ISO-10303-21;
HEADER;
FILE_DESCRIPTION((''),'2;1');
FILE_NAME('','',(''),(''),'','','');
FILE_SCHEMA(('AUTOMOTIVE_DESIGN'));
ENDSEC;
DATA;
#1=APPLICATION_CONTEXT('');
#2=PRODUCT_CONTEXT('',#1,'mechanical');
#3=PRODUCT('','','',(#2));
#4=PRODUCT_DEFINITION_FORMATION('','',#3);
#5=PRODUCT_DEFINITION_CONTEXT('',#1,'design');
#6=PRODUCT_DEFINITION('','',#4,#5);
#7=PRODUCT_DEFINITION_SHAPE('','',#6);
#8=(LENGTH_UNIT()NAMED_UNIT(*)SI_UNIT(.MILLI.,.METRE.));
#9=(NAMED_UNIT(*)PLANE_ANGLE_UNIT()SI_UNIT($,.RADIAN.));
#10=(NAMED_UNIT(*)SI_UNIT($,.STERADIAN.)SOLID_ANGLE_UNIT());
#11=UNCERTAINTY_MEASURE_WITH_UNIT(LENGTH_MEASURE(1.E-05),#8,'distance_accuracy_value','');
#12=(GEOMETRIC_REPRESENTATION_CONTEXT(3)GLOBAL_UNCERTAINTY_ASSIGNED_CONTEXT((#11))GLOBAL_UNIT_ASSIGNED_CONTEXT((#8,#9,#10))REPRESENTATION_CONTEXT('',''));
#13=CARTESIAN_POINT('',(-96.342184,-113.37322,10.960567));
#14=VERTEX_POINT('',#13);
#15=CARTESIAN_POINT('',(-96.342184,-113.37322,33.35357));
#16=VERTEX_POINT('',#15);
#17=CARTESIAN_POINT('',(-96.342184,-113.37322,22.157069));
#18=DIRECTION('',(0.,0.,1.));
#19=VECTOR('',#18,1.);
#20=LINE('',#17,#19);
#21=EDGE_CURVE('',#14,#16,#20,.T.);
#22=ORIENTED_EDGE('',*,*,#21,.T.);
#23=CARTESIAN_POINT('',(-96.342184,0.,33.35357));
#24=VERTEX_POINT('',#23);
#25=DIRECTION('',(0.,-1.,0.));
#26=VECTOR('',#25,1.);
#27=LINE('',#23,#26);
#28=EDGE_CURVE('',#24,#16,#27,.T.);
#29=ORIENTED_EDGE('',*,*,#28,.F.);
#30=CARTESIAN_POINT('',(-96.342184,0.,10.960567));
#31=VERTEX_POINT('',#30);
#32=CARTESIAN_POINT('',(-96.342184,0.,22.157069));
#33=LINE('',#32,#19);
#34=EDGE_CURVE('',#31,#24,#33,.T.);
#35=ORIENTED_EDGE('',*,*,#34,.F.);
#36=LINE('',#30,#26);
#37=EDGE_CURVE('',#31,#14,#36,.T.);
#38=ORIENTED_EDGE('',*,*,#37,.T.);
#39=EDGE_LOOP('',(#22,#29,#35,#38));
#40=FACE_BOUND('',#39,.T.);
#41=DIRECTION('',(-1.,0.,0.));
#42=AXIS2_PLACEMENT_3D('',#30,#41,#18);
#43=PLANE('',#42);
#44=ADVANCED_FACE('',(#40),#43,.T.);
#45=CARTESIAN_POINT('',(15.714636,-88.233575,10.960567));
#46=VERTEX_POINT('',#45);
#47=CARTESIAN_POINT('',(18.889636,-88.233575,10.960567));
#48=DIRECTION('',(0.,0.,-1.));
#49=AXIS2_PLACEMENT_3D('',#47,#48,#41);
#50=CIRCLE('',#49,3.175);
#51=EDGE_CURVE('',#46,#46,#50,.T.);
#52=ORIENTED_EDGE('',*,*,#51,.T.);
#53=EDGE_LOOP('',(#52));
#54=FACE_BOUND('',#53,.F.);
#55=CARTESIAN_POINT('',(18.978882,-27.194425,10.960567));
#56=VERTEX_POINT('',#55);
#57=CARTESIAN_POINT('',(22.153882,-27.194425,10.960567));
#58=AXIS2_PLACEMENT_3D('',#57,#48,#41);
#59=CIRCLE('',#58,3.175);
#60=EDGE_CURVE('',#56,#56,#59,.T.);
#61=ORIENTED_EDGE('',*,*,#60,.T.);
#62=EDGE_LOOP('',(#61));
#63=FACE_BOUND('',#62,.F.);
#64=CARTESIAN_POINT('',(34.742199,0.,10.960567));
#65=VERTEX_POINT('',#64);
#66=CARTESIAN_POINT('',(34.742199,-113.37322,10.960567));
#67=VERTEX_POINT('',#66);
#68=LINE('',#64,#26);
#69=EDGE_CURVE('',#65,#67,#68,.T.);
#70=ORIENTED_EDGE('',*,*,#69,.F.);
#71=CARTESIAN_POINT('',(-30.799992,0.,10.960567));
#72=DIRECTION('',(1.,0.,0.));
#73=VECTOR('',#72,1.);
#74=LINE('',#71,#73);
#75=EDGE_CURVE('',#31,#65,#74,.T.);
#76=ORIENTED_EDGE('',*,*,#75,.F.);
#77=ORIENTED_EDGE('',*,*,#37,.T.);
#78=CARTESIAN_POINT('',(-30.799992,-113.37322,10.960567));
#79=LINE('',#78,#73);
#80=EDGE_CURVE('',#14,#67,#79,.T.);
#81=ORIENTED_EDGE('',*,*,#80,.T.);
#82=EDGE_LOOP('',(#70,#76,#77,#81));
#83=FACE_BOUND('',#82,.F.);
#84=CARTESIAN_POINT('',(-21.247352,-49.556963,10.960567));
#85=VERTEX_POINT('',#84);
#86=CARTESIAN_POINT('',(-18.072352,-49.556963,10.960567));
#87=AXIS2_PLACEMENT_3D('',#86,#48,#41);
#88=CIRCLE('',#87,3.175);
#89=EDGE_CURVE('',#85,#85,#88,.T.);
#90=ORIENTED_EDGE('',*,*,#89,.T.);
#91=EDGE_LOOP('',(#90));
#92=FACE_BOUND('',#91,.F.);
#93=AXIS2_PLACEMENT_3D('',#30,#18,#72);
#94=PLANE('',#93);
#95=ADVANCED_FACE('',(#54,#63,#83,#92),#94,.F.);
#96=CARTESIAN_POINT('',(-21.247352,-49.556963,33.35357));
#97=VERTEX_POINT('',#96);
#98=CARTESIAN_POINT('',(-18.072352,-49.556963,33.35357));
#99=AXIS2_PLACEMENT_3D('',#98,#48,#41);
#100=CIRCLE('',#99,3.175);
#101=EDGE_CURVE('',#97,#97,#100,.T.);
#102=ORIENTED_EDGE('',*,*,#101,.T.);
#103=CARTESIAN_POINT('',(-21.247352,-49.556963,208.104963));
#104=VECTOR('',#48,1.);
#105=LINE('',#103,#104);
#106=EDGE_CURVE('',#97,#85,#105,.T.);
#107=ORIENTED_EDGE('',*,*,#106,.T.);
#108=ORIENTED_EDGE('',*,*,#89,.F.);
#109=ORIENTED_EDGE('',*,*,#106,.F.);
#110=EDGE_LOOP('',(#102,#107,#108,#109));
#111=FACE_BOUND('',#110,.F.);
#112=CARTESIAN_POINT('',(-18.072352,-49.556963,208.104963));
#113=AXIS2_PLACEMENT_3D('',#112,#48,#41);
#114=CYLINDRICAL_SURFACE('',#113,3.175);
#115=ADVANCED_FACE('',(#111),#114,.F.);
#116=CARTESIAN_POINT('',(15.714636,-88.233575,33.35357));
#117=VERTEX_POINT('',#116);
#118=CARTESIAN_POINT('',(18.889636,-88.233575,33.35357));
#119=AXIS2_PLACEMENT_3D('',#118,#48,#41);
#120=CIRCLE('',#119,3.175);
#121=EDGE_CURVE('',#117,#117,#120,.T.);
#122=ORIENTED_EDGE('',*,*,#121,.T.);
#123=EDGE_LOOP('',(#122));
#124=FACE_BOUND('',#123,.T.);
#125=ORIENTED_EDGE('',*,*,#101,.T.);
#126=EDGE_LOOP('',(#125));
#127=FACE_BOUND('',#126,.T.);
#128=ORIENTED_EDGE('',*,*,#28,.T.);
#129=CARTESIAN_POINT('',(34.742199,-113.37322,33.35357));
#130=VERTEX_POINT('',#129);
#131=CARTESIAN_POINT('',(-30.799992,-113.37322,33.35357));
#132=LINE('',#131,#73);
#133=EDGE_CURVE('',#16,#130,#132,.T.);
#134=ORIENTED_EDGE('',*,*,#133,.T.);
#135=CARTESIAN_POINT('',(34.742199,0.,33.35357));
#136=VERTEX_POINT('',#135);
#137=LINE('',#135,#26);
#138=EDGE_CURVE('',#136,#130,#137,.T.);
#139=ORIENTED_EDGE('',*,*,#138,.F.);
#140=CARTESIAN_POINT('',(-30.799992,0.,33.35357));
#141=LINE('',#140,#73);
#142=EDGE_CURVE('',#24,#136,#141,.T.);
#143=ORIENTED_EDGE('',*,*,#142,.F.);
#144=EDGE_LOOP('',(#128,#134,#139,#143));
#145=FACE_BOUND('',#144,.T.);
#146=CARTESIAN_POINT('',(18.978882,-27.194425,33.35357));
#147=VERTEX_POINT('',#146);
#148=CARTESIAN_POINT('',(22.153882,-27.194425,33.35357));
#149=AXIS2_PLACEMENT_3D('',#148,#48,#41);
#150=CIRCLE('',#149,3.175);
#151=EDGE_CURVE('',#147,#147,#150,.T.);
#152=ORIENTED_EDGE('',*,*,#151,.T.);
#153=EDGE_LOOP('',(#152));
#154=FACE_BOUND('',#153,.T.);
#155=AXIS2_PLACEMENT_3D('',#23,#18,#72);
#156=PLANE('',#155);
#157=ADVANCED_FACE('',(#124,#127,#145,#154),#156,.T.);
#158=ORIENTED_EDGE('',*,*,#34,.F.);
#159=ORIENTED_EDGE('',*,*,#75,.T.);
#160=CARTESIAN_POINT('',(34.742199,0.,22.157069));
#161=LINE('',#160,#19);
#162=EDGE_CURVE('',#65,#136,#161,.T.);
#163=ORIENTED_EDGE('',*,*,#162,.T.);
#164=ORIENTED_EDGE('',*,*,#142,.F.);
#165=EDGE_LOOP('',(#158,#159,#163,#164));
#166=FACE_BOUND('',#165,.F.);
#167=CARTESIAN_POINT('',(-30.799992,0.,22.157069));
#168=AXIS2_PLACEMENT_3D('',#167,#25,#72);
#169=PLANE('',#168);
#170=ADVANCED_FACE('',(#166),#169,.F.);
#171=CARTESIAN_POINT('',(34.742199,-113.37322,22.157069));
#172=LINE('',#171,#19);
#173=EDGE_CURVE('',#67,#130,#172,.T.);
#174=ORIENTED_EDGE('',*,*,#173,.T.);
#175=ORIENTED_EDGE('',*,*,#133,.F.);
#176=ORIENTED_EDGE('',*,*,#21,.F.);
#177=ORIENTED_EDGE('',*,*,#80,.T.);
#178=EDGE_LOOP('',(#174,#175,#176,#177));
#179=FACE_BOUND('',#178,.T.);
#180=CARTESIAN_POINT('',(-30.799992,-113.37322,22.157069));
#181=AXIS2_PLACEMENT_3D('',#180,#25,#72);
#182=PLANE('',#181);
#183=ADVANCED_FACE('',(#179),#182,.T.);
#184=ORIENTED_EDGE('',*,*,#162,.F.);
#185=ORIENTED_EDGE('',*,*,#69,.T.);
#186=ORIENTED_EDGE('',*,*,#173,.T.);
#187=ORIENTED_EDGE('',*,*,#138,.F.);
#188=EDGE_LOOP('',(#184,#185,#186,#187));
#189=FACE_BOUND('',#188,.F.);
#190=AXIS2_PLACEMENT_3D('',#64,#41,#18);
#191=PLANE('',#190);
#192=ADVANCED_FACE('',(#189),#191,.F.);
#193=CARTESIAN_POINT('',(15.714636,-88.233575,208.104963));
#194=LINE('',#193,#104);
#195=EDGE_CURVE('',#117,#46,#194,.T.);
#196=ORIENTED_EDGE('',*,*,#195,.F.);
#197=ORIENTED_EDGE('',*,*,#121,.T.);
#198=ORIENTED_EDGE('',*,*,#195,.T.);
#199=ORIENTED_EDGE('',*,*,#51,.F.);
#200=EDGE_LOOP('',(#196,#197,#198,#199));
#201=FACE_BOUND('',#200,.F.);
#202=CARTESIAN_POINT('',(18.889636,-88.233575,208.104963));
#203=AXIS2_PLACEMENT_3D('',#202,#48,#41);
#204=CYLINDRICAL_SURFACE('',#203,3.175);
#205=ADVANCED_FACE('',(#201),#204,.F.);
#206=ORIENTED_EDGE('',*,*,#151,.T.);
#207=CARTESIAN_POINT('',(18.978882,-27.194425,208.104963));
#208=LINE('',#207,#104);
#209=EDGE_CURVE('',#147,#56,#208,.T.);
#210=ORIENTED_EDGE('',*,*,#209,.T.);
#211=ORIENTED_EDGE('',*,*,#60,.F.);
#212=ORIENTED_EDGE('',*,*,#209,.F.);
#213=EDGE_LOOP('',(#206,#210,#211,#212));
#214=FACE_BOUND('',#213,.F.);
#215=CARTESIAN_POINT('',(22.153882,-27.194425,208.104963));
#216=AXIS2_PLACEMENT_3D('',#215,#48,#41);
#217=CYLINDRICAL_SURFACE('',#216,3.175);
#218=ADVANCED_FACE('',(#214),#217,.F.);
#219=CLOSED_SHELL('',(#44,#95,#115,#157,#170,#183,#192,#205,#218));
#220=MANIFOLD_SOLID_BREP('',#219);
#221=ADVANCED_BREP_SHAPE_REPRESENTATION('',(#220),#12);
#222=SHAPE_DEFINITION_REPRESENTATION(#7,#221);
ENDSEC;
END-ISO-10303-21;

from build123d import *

# Parameters (mm, degrees)
F0_W     = 131.084383
F0_H     = 22.393003
F1_DEPTH = 113.37322
F3_D     = 6.35


with BuildPart() as f1:
    # F0 (on Front) → F1 (new body)
    with BuildSketch(Plane.XZ):
        with Locations((-30.799992, 22.157069)):
            Rectangle(F0_W, F0_H)
    extrude(amount=F1_DEPTH)

    # F3 (through all)
    with Locations(Plane.XY.offset(33.353571)):
        with Locations((22.153882, -27.194425), (-18.072352, -49.556963), (18.889636, -88.233575)):
            Hole(F3_D / 2)


solid = f1.part
